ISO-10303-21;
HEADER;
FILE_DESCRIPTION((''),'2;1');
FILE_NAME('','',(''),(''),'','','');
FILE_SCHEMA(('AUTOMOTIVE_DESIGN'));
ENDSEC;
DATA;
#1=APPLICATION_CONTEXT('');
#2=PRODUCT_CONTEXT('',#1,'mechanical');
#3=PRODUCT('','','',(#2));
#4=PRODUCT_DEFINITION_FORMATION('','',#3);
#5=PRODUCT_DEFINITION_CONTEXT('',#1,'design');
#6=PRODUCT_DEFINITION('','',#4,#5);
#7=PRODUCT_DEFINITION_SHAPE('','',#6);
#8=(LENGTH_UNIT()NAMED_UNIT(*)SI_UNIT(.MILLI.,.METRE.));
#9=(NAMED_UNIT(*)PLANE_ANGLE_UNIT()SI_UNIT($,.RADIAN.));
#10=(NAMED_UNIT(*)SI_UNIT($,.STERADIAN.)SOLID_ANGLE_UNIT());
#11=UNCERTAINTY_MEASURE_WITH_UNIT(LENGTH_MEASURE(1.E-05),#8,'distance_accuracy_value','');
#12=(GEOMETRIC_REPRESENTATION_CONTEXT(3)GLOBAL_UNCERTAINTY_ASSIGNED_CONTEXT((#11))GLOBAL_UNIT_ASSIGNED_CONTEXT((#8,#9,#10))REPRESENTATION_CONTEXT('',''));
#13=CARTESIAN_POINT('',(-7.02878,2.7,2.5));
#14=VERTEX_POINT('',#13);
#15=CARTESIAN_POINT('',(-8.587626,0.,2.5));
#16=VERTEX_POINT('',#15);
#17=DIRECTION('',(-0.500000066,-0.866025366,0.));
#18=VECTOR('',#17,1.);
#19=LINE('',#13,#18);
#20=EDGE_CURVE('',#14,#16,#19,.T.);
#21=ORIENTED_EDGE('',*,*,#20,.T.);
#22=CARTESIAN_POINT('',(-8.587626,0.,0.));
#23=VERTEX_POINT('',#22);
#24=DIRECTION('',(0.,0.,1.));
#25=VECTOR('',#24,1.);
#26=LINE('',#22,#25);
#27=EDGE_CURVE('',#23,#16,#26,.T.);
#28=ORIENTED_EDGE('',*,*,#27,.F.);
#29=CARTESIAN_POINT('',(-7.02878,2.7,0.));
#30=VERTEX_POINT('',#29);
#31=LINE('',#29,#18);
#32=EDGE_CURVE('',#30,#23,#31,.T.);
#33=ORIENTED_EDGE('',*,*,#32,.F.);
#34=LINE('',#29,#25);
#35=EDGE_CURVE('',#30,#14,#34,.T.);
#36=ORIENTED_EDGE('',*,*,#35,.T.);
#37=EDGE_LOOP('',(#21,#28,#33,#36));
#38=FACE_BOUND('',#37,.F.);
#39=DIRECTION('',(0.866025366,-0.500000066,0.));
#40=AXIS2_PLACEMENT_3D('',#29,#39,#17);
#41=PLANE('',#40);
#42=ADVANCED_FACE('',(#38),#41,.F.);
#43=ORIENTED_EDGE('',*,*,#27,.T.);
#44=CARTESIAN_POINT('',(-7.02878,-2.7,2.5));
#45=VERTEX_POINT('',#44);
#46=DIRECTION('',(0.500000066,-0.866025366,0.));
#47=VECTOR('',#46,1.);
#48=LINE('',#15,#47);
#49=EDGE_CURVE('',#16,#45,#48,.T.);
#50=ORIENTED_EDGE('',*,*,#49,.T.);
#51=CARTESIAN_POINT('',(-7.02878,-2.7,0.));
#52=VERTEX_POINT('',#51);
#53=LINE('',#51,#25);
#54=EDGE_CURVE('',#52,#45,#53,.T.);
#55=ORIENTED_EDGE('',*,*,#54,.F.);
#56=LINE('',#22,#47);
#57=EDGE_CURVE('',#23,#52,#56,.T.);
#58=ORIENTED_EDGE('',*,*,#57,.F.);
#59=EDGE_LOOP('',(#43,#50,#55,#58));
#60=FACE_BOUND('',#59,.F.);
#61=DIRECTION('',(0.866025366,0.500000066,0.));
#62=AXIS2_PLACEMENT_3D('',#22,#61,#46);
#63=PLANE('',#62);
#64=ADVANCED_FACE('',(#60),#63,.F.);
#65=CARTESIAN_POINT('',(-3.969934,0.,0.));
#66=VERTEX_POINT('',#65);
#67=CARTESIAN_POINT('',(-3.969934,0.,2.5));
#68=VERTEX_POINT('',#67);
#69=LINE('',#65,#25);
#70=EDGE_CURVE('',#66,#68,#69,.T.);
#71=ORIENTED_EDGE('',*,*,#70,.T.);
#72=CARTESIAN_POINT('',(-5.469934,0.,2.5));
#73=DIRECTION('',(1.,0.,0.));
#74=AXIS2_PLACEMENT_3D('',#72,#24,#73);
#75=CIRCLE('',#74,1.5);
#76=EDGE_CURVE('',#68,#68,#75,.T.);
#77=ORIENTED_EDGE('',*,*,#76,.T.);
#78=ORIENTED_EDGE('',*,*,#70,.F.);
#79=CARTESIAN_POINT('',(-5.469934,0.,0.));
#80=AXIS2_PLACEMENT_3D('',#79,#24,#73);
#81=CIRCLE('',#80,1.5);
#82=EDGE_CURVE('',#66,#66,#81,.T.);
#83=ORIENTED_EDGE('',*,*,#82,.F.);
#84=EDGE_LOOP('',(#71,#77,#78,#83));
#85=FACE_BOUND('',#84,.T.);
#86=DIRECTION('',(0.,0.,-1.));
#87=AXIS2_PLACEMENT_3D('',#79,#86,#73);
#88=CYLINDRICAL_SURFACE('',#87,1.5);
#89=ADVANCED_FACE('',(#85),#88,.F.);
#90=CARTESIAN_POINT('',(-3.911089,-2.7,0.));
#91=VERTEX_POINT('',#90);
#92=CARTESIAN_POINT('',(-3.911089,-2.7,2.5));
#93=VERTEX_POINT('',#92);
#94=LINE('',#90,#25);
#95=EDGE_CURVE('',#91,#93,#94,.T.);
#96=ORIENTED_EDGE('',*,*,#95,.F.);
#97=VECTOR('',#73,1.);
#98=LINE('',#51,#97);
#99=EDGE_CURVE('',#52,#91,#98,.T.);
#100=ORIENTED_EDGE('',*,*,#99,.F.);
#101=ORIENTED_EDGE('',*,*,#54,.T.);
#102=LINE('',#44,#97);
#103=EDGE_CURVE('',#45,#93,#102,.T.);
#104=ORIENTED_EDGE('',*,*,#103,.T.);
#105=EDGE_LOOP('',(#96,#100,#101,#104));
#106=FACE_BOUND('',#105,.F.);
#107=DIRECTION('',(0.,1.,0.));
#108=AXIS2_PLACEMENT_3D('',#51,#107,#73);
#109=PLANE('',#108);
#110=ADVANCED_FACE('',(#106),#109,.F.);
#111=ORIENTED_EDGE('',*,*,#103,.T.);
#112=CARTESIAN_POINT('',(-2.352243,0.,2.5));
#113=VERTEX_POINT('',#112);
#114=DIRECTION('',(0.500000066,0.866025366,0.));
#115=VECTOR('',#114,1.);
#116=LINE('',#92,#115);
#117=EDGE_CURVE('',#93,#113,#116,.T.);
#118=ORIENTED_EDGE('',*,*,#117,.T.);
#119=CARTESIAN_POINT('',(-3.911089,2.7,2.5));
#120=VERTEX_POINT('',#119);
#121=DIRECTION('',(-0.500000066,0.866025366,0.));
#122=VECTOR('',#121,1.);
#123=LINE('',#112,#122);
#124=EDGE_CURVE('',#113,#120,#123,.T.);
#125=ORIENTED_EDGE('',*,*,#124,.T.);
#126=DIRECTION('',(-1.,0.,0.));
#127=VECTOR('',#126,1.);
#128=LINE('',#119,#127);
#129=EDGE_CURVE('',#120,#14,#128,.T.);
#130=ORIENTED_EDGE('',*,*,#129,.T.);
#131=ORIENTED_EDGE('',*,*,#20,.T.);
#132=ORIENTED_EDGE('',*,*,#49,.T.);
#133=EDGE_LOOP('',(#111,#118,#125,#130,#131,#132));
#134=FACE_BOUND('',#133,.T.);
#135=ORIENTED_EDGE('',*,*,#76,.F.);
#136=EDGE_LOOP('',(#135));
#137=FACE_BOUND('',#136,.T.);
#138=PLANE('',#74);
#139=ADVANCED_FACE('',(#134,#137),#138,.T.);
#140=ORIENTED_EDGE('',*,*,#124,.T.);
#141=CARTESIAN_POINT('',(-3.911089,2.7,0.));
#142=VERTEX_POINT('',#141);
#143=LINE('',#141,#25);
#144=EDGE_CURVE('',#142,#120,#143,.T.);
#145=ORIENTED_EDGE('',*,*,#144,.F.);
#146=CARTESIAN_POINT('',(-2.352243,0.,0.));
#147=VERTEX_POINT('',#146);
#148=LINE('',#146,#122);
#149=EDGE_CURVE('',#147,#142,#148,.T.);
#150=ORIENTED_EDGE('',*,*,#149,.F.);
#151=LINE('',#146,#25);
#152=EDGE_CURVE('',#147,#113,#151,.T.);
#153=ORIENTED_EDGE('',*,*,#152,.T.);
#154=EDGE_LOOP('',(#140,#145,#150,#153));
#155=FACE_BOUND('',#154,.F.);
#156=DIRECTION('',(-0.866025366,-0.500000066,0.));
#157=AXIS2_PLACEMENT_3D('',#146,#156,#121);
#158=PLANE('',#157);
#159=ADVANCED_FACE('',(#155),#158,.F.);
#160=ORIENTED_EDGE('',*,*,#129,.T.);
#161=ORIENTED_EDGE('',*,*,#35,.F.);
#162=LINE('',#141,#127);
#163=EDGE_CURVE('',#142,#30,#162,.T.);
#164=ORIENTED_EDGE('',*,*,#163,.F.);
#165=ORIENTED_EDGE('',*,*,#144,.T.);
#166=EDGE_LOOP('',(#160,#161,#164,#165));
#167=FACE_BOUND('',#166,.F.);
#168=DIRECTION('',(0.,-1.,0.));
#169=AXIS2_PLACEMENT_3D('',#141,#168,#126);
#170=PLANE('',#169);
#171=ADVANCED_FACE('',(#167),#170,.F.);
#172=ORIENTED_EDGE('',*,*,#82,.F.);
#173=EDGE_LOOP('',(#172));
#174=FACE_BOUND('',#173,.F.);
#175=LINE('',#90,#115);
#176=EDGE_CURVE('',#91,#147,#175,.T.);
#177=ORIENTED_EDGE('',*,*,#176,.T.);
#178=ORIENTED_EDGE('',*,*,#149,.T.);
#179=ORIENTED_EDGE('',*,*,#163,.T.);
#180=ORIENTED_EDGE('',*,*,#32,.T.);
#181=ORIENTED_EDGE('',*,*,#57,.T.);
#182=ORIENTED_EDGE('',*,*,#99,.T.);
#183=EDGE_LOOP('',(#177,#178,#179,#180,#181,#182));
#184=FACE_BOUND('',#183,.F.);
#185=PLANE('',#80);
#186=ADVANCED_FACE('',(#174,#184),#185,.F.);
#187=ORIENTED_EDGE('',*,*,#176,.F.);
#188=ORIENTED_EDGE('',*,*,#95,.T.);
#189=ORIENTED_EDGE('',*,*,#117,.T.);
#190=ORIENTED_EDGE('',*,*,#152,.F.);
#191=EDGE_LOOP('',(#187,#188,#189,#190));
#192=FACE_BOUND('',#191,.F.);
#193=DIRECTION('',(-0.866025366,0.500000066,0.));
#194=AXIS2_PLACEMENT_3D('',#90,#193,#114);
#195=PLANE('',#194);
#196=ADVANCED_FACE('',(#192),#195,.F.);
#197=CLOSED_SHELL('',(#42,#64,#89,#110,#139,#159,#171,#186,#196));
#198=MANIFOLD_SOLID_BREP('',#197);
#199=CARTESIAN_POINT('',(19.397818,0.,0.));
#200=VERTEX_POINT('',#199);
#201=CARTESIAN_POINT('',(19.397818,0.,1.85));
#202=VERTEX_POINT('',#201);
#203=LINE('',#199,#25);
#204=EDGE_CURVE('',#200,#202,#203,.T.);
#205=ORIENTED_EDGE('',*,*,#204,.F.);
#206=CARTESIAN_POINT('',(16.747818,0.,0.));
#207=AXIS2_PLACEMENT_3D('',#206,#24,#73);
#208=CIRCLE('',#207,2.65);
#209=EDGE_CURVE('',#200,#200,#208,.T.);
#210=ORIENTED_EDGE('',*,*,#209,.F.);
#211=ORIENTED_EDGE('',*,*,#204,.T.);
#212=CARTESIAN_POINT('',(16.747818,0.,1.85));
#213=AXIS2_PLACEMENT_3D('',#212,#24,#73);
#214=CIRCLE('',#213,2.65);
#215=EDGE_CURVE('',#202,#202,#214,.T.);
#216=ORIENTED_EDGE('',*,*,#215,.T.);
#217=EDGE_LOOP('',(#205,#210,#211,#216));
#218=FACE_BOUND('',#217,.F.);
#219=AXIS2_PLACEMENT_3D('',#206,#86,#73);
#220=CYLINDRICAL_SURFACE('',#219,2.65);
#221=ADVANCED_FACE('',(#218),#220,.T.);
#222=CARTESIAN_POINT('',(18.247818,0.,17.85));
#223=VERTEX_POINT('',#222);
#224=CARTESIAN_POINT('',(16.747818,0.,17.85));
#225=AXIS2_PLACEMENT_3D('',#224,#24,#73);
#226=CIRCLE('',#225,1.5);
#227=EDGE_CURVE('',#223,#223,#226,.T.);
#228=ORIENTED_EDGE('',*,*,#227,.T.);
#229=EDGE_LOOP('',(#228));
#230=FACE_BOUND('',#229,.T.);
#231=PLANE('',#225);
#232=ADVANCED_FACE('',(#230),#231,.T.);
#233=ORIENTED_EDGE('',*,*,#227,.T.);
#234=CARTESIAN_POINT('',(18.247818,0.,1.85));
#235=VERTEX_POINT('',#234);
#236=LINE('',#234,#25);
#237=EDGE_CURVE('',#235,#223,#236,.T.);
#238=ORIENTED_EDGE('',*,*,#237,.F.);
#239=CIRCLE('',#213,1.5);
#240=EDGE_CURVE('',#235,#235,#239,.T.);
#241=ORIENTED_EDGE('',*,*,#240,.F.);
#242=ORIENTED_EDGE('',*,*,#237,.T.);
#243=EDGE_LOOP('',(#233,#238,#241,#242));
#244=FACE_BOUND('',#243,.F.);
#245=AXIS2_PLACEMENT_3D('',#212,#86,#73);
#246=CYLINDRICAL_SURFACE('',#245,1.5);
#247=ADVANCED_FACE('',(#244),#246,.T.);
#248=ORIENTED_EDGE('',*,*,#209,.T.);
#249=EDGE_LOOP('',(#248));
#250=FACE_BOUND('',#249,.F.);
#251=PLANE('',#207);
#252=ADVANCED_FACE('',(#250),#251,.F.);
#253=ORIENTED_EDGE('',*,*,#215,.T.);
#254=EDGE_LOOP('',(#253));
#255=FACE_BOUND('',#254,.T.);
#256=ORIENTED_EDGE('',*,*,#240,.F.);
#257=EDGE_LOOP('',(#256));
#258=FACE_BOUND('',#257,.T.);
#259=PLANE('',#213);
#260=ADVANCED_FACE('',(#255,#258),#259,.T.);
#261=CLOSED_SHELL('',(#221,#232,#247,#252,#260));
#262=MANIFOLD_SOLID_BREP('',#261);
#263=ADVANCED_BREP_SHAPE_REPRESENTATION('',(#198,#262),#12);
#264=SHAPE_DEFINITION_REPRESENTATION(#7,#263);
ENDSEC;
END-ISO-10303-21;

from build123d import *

# Parameters (mm, degrees)
F0_R     = 1.5
F1_DEPTH = 2.5
F2_R     = 2.65
F3_DEPTH = 1.85
F4_R     = 1.5
F5_DEPTH = 16


with BuildPart() as f1:
    # F0 (on Top) → F1 (new body)
    with BuildSketch(Plane.XY):
        Polygon((-3.911089, 2.7), (-7.02878, 2.7), (-8.587626, 0), (-7.02878, -2.7), (-3.911089, -2.7), (-2.352243, 0), align=None)
        with Locations((-5.469934, 0)):
            Circle(F0_R, mode=Mode.SUBTRACT)
    extrude(amount=F1_DEPTH)


with BuildPart() as f3:
    # F2 (on Top) → F3 (new body)
    with BuildSketch(Plane.XY):
        with Locations((16.747818, 0)):
            Circle(F2_R)
    extrude(amount=F3_DEPTH)

    # F4 (on face) → F5 (join)
    with BuildSketch(Plane.XY.offset(1.85)):
        with Locations((16.747818, 0)):
            Circle(F4_R)
    extrude(amount=F5_DEPTH)


solid = Compound([f1.part, f3.part])
